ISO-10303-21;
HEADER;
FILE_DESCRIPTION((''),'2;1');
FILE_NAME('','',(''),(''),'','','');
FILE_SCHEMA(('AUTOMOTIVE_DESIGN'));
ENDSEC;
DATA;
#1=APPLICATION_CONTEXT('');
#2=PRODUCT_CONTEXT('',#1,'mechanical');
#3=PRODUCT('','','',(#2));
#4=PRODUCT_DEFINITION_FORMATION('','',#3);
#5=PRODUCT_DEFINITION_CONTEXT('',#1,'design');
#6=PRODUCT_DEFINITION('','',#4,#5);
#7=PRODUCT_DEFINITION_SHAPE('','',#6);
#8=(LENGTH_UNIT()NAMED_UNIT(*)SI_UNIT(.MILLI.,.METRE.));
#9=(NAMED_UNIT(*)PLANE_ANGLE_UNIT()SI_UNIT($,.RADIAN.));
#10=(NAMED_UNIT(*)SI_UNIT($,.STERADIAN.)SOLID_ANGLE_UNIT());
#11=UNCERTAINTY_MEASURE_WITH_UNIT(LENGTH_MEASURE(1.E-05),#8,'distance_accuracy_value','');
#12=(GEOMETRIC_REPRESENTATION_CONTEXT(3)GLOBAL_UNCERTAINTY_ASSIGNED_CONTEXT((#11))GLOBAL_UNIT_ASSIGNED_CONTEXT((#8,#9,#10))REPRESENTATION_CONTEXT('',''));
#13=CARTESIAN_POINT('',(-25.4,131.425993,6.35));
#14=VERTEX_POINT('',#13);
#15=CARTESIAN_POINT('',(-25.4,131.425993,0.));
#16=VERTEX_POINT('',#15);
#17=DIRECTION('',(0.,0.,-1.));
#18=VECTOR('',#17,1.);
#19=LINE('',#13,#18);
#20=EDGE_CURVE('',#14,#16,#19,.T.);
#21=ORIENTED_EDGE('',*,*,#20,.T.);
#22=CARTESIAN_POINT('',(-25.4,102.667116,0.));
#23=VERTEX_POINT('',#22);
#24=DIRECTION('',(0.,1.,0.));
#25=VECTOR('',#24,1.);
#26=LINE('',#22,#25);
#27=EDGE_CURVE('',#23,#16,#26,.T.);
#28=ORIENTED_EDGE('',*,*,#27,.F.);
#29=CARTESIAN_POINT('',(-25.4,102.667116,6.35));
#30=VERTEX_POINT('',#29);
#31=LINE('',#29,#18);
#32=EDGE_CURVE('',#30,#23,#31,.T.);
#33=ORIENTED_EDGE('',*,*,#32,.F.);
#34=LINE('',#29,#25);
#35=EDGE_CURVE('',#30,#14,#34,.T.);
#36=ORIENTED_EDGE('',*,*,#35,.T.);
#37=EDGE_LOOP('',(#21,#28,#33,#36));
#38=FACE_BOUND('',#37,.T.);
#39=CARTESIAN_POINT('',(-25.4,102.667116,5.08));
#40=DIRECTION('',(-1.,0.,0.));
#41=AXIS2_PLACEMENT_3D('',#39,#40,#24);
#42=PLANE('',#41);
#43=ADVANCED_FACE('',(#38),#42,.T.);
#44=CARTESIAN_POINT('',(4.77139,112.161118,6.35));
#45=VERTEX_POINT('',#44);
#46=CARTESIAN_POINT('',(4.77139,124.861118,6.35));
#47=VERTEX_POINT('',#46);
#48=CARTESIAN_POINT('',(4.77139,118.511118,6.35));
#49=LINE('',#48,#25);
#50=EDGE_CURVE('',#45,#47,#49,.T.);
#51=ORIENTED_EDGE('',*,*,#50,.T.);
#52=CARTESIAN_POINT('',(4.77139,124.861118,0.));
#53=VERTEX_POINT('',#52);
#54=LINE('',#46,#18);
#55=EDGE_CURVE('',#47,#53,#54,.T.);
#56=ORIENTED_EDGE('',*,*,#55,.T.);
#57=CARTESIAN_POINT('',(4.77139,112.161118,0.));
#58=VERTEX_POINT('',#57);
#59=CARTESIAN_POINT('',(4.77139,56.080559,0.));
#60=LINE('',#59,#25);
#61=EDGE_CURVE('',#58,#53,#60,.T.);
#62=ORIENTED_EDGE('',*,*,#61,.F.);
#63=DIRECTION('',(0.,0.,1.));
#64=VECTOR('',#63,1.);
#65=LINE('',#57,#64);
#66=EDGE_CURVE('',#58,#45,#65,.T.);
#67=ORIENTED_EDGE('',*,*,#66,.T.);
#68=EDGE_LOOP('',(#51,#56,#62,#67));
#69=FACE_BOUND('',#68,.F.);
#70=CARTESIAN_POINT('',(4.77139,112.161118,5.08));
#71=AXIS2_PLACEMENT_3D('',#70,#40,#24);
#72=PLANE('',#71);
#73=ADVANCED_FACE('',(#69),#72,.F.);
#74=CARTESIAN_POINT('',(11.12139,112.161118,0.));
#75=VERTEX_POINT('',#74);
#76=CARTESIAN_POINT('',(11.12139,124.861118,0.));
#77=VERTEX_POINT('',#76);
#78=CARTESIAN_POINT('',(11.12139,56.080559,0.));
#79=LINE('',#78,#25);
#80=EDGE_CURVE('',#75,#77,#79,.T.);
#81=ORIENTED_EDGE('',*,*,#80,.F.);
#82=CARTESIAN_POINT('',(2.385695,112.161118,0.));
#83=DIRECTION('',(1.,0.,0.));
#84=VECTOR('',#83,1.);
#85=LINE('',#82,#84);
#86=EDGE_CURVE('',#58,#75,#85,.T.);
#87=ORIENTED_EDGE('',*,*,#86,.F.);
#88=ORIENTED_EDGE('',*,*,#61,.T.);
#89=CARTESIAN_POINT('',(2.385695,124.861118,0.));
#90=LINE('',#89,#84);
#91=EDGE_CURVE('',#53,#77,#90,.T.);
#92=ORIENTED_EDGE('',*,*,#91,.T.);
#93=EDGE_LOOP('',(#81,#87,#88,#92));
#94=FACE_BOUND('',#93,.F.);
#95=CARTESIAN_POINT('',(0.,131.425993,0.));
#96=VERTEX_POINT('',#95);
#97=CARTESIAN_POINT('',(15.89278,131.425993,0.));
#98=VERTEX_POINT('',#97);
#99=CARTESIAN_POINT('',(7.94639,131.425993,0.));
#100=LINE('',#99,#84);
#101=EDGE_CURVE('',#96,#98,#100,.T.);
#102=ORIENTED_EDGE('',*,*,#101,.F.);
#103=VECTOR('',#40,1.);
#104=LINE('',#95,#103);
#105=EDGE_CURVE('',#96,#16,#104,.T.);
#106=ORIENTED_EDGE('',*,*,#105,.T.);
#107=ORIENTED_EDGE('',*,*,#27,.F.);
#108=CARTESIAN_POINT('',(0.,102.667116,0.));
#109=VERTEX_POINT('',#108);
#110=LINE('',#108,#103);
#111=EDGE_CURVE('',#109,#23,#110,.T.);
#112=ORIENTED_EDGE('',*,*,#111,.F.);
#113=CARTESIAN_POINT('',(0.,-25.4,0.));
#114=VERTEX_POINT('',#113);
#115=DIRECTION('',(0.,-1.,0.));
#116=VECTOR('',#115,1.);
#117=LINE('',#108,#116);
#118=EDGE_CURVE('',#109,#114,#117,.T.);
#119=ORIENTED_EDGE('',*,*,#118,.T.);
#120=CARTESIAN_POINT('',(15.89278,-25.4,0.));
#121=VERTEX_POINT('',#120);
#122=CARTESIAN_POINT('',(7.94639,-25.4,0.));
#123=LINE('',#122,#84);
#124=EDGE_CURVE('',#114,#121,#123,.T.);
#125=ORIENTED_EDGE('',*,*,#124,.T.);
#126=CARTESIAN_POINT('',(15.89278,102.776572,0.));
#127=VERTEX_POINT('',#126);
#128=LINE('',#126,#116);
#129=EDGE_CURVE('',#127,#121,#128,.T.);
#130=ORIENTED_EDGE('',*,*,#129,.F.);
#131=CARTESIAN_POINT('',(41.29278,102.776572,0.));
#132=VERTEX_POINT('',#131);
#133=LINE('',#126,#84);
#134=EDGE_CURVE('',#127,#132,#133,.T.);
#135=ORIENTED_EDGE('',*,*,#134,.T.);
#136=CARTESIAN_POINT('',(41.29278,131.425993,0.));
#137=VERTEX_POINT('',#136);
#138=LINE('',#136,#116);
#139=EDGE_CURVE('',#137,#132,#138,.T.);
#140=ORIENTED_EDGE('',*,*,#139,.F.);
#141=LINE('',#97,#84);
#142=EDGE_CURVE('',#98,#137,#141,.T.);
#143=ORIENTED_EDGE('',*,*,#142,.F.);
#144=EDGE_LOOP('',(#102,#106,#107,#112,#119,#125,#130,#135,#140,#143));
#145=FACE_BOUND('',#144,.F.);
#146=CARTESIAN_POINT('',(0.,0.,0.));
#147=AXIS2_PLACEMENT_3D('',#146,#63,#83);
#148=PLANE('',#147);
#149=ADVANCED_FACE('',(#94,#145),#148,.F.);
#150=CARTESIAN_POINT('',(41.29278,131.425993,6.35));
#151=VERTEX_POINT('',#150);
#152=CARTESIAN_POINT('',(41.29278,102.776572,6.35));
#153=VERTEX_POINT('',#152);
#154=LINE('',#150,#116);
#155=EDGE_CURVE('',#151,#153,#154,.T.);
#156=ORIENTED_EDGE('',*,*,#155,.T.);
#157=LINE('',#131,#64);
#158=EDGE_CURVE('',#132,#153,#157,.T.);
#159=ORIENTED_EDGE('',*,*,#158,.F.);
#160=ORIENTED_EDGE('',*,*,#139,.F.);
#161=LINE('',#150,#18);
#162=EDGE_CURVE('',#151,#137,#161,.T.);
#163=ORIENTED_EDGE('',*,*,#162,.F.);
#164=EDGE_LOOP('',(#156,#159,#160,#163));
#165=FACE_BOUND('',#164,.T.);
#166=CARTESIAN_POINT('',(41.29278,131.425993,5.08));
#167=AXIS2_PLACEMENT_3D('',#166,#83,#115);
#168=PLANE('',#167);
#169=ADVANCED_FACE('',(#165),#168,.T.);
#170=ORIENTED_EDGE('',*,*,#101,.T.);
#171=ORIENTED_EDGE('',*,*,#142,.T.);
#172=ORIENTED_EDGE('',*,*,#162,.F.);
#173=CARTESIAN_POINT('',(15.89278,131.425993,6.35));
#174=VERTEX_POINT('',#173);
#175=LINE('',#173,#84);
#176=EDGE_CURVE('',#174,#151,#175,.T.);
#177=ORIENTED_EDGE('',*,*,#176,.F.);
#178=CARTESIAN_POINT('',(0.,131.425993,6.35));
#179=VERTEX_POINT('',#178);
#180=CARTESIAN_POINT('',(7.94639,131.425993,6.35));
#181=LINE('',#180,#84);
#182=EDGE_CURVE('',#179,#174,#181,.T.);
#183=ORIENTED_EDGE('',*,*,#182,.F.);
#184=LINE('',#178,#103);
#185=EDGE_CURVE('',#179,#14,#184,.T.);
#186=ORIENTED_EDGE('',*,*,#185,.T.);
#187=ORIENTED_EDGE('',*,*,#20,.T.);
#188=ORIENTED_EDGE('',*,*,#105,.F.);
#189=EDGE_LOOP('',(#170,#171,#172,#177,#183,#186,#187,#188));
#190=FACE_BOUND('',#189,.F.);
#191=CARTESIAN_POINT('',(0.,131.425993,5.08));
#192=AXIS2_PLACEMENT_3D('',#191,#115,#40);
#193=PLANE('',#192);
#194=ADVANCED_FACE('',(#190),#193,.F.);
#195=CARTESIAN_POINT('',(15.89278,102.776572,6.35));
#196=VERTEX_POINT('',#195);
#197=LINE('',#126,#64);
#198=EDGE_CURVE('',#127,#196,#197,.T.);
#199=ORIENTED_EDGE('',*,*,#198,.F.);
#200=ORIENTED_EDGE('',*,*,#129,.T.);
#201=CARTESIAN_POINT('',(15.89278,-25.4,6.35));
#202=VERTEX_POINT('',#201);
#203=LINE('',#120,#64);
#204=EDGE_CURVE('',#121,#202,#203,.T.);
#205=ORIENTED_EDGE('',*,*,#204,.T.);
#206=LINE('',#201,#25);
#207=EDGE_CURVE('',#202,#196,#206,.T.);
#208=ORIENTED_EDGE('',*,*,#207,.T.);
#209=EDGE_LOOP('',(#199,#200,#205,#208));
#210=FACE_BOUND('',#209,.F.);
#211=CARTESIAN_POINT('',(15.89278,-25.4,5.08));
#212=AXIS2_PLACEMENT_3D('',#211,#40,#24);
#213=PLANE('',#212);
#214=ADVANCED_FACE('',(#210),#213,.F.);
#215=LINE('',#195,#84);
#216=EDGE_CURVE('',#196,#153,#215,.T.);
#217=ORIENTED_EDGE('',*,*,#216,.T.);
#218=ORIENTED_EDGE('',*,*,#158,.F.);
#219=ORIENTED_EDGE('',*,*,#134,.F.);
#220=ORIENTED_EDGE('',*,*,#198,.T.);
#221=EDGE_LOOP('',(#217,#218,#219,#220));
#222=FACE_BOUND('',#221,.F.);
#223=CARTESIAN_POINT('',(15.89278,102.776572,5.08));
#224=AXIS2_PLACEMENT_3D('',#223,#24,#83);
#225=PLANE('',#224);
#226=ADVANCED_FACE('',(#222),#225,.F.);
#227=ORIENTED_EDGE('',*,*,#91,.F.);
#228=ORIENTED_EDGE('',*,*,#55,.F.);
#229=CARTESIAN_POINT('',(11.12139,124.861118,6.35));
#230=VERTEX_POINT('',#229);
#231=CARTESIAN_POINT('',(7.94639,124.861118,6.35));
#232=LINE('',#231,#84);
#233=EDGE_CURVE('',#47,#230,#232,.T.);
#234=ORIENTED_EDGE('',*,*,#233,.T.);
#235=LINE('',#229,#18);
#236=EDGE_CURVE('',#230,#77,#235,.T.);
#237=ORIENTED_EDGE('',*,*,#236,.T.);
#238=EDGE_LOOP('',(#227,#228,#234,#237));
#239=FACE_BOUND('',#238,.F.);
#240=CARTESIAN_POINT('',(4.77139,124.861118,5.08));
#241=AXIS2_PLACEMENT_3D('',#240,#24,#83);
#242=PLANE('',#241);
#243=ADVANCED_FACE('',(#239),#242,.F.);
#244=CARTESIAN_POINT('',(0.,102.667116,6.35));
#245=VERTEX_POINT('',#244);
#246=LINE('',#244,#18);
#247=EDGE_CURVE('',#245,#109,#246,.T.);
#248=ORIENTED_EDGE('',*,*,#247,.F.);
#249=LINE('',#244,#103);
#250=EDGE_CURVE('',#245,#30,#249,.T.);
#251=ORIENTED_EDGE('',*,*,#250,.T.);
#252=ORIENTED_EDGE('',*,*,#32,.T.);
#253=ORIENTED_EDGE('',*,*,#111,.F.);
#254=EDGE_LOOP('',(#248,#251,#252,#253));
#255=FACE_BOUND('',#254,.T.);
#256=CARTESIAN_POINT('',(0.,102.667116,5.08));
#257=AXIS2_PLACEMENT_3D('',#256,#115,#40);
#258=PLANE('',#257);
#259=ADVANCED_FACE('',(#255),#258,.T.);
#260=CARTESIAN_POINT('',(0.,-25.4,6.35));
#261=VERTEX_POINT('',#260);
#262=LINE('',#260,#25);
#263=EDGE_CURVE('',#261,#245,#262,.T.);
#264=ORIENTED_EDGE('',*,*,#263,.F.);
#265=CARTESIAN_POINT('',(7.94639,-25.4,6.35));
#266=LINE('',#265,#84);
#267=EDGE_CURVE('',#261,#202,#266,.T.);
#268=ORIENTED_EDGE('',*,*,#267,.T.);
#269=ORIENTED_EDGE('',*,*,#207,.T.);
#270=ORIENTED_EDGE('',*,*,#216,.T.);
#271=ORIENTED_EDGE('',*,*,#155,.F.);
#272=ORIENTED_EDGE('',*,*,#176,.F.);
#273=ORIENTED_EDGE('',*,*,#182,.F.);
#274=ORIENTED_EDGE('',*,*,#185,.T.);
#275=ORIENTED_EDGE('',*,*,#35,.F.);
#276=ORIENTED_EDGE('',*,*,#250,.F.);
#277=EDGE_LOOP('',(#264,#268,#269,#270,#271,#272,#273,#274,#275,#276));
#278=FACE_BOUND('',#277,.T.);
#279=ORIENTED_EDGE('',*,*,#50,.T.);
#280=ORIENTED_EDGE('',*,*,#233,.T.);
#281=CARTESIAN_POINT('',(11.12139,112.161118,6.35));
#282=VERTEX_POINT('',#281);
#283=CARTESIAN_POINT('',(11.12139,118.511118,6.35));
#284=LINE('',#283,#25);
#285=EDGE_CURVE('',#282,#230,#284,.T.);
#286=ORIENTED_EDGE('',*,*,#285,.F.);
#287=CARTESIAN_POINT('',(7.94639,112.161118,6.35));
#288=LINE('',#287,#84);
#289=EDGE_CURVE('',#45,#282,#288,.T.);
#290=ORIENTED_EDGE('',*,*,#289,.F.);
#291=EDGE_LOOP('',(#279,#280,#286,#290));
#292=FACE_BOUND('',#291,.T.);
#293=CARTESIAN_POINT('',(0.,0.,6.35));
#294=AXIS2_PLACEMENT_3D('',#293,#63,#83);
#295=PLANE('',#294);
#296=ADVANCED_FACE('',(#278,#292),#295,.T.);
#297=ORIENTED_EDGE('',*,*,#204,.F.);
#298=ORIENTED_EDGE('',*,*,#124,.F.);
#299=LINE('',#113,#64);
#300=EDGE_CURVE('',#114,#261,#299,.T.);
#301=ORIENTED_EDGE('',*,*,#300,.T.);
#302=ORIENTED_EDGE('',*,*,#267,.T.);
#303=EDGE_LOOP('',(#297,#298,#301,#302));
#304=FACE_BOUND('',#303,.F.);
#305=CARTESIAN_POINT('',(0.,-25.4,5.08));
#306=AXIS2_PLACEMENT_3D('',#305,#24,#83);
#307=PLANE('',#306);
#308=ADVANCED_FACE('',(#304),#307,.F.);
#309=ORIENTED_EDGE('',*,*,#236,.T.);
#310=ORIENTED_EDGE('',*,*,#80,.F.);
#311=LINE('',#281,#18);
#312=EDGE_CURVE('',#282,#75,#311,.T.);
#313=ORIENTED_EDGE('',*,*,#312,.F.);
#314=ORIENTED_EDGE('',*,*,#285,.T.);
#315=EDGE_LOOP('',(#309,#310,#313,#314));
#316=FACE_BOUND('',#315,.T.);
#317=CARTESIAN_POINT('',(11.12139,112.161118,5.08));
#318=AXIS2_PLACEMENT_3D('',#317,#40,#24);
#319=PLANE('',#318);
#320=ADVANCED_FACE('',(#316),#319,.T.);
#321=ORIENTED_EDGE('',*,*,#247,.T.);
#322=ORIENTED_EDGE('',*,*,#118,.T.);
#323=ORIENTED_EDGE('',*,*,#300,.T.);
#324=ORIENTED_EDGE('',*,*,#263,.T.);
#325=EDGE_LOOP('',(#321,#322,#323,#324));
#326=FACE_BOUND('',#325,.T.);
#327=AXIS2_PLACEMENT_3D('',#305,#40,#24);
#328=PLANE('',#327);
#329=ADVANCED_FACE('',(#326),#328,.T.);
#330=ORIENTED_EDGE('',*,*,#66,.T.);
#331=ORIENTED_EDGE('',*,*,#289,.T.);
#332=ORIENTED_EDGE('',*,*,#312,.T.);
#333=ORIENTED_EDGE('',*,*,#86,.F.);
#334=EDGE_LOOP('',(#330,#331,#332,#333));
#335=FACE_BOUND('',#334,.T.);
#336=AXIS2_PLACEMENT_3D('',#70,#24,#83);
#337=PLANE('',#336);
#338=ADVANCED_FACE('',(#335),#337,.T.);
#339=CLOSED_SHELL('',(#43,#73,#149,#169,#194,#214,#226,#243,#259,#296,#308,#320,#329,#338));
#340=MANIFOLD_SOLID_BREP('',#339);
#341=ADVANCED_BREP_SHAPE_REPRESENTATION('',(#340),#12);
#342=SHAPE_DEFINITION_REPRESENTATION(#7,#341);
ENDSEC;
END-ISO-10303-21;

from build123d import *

# Parameters (mm, degrees)
F0_W      = 15.89278
F0_H      = 118.7259927564
F1_DEPTH  = 5.08
F2_W      = 15.9494206481
F2_H      = 5.08
F3_DEPTH  = 25.4
F4_W      = 16.0588771277
F4_H      = 5.08
F5_DEPTH  = 25.4
F6_DEPTH  = 12.7
F7_DEPTH  = 25.4
F8_W      = 6.35
F8_H      = 12.7
F9_DEPTH  = 25.4
F10_DEPTH = 1.27


with BuildPart() as f1:
    # F0 (on Top) → F1 (new body)
    with BuildSketch(Plane.XY):
        with Locations((7.94639, 59.3629963782)):
            Rectangle(F0_W, F0_H)
    extrude(amount=F1_DEPTH)

    # F2 (on face) → F3 (join)
    with BuildSketch(Plane.YZ.offset(15.89278)):
        with Locations((110.7512824323, 2.54)):
            Rectangle(F2_W, F2_H)
    extrude(amount=F3_DEPTH)

    # F4 (on face) → F5 (join)
    with BuildSketch(Plane(origin=(0, 0, 0), x_dir=(0, -1, 0), z_dir=(-1, 0, 0))):
        with Locations((-110.6965541926, 2.54)):
            Rectangle(F4_W, F4_H)
    extrude(amount=F5_DEPTH)

    # F6 (add): a face of the model
    f6_faces = [f1.faces().sort_by_distance(p)[0] for p in [
        (7.94639, 118.7259927564, 2.54),
    ]]
    extrude(f6_faces, amount=F6_DEPTH)

    # F7 (add): a face of the model
    f7_faces = [f1.faces().sort_by_distance(p)[0] for p in [
        (7.94639, 0, 2.54),
    ]]
    extrude(f7_faces, amount=F7_DEPTH)

    # F8 (on face) → F9 (cut)
    with BuildSketch(Plane.XY.offset(5.08)):
        with Locations((7.94639, 118.5111179948)):
            Rectangle(F8_W, F8_H)
    extrude(amount=-F9_DEPTH, mode=Mode.SUBTRACT)

    # F10 (add): a face of the model
    f10_faces = [f1.faces().sort_by_distance(p)[0] for p in [
        (7.9315574243, 75.7859315554, 5.08),
    ]]
    extrude(f10_faces, amount=F10_DEPTH)


solid = f1.part
